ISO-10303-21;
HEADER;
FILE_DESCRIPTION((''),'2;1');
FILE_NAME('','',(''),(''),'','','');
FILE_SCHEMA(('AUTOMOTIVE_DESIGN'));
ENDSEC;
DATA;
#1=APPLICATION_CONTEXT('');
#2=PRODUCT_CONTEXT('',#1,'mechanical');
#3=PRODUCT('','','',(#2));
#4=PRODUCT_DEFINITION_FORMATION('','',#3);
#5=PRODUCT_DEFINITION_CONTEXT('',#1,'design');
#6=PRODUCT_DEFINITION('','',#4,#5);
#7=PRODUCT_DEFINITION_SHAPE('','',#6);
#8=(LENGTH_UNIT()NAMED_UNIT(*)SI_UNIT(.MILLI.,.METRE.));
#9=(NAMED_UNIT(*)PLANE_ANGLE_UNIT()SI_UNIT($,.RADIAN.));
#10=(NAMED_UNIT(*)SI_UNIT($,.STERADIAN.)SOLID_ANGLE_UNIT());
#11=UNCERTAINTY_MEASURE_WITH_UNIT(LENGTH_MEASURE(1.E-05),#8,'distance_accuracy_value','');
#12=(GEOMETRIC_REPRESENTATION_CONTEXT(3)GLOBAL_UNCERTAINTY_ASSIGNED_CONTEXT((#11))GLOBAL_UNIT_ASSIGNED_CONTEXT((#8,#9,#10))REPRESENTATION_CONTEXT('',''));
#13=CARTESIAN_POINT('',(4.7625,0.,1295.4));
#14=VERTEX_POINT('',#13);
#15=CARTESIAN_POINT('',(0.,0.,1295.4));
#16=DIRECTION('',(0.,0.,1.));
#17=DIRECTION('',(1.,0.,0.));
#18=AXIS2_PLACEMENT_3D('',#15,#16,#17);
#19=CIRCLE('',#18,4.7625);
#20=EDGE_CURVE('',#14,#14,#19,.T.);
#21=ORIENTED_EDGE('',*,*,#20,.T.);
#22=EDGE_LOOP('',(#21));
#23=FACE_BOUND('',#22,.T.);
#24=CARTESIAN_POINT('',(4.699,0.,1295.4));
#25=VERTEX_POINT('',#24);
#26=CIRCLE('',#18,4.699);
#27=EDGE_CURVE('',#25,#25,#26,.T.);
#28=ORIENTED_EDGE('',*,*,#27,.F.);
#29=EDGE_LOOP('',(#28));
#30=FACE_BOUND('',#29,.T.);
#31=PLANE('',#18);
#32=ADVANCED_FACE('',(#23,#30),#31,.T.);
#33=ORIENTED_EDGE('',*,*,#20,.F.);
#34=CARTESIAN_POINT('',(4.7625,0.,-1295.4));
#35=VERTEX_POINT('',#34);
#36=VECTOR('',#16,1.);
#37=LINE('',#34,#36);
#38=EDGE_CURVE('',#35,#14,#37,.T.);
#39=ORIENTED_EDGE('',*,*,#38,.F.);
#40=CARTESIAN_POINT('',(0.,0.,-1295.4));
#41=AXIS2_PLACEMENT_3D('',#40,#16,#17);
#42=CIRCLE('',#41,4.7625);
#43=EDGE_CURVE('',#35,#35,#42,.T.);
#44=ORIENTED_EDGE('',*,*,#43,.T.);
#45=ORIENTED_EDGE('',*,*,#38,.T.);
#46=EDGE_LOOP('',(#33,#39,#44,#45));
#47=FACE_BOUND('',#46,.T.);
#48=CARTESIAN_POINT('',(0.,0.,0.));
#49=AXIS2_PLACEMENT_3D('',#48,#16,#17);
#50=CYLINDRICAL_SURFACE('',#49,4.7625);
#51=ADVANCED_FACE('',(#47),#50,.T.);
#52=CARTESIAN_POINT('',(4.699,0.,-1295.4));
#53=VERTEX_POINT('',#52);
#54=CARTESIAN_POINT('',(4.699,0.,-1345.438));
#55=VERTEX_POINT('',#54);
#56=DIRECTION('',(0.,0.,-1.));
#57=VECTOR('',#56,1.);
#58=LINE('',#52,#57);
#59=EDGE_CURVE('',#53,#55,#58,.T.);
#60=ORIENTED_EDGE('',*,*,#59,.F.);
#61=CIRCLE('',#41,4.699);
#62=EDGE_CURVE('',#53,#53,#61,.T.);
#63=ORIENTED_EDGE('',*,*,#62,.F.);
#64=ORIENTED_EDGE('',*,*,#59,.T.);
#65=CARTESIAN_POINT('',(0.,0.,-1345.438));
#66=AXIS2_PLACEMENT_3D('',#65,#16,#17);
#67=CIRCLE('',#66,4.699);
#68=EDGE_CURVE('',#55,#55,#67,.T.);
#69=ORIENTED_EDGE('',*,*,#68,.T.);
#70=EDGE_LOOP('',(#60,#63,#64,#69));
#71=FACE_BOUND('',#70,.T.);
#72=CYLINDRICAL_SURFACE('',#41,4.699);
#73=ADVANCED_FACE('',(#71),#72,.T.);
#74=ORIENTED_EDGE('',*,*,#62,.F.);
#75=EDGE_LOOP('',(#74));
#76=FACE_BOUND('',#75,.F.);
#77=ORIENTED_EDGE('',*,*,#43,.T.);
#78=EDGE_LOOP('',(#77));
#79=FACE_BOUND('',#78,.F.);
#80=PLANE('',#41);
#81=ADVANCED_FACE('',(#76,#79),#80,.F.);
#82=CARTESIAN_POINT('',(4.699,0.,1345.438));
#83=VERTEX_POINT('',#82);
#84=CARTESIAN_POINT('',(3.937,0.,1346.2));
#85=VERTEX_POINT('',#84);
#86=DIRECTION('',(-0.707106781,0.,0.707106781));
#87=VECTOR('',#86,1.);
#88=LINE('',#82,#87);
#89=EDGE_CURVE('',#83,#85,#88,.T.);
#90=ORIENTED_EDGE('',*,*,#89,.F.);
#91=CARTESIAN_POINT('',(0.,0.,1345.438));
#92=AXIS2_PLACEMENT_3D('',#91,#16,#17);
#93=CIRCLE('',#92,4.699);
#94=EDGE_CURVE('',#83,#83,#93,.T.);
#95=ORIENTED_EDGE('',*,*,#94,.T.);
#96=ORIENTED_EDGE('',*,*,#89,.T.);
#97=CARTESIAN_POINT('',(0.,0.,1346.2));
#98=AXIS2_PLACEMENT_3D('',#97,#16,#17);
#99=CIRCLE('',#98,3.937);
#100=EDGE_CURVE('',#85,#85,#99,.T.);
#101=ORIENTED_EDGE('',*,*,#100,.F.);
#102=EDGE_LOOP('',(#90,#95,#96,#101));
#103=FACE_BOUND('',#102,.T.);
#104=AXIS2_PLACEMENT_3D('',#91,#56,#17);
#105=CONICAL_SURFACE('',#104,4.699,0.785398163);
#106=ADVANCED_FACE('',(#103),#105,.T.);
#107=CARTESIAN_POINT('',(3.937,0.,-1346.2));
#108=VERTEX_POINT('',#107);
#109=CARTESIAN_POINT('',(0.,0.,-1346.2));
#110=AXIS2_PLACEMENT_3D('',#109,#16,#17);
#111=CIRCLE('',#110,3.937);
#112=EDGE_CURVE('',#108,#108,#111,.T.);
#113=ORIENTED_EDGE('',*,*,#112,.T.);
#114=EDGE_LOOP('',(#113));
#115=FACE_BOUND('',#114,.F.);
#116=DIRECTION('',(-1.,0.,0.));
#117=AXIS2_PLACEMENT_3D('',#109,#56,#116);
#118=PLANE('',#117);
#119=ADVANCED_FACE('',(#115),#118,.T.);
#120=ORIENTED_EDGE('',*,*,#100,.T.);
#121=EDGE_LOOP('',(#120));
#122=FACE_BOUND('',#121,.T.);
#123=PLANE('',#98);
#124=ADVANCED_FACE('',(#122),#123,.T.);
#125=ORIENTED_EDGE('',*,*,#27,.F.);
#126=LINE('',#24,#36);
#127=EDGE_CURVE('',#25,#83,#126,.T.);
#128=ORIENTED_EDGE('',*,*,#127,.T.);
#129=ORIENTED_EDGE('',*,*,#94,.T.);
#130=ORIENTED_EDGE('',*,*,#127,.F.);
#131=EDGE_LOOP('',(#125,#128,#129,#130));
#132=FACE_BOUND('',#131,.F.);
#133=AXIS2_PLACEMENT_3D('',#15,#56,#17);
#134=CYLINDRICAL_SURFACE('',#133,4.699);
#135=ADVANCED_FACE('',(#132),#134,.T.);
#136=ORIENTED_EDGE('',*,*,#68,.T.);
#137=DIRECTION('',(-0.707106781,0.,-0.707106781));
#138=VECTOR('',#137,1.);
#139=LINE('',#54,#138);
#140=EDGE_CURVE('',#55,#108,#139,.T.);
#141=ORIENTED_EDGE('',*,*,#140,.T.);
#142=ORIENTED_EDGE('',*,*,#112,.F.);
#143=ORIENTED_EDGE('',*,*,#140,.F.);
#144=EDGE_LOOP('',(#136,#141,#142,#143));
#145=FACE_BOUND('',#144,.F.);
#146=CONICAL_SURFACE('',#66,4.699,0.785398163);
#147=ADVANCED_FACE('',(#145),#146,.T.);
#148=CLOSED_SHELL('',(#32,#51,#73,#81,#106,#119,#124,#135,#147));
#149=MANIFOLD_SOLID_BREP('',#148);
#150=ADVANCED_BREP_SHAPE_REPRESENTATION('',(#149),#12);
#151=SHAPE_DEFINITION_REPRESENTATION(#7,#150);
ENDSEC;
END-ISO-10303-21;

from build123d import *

# Parameters (mm, degrees)
F0_R     = 4.7625
F1_DEPTH = 1295.4
F2_R     = 4.699
F3_DEPTH = 50.8
F5_SIZE  = 0.762


with BuildPart() as f1:
    # F0 (on Top) → F1 (new body, symmetric)
    with BuildSketch(Plane.XY):
        Circle(F0_R)
    extrude(amount=F1_DEPTH, both=True)

    # F2 (on face) → F3 (join)
    with BuildSketch(Plane.XY.offset(1295.4)):
        Circle(F2_R)
    extrude(amount=F3_DEPTH)

    # F4: F1 across plane


with BuildPart() as f1_1:
    add(f1.part)
    add(f1.part.mirror(Plane.XY))

    # F5
    f5_edges = [f1_1.edges().sort_by_distance(p)[0] for p in [
        (-4.699, 0, 1346.2),
        (-4.699, 0, -1346.2),
    ]]
    chamfer(f5_edges, length=F5_SIZE)


solid = f1_1.part
